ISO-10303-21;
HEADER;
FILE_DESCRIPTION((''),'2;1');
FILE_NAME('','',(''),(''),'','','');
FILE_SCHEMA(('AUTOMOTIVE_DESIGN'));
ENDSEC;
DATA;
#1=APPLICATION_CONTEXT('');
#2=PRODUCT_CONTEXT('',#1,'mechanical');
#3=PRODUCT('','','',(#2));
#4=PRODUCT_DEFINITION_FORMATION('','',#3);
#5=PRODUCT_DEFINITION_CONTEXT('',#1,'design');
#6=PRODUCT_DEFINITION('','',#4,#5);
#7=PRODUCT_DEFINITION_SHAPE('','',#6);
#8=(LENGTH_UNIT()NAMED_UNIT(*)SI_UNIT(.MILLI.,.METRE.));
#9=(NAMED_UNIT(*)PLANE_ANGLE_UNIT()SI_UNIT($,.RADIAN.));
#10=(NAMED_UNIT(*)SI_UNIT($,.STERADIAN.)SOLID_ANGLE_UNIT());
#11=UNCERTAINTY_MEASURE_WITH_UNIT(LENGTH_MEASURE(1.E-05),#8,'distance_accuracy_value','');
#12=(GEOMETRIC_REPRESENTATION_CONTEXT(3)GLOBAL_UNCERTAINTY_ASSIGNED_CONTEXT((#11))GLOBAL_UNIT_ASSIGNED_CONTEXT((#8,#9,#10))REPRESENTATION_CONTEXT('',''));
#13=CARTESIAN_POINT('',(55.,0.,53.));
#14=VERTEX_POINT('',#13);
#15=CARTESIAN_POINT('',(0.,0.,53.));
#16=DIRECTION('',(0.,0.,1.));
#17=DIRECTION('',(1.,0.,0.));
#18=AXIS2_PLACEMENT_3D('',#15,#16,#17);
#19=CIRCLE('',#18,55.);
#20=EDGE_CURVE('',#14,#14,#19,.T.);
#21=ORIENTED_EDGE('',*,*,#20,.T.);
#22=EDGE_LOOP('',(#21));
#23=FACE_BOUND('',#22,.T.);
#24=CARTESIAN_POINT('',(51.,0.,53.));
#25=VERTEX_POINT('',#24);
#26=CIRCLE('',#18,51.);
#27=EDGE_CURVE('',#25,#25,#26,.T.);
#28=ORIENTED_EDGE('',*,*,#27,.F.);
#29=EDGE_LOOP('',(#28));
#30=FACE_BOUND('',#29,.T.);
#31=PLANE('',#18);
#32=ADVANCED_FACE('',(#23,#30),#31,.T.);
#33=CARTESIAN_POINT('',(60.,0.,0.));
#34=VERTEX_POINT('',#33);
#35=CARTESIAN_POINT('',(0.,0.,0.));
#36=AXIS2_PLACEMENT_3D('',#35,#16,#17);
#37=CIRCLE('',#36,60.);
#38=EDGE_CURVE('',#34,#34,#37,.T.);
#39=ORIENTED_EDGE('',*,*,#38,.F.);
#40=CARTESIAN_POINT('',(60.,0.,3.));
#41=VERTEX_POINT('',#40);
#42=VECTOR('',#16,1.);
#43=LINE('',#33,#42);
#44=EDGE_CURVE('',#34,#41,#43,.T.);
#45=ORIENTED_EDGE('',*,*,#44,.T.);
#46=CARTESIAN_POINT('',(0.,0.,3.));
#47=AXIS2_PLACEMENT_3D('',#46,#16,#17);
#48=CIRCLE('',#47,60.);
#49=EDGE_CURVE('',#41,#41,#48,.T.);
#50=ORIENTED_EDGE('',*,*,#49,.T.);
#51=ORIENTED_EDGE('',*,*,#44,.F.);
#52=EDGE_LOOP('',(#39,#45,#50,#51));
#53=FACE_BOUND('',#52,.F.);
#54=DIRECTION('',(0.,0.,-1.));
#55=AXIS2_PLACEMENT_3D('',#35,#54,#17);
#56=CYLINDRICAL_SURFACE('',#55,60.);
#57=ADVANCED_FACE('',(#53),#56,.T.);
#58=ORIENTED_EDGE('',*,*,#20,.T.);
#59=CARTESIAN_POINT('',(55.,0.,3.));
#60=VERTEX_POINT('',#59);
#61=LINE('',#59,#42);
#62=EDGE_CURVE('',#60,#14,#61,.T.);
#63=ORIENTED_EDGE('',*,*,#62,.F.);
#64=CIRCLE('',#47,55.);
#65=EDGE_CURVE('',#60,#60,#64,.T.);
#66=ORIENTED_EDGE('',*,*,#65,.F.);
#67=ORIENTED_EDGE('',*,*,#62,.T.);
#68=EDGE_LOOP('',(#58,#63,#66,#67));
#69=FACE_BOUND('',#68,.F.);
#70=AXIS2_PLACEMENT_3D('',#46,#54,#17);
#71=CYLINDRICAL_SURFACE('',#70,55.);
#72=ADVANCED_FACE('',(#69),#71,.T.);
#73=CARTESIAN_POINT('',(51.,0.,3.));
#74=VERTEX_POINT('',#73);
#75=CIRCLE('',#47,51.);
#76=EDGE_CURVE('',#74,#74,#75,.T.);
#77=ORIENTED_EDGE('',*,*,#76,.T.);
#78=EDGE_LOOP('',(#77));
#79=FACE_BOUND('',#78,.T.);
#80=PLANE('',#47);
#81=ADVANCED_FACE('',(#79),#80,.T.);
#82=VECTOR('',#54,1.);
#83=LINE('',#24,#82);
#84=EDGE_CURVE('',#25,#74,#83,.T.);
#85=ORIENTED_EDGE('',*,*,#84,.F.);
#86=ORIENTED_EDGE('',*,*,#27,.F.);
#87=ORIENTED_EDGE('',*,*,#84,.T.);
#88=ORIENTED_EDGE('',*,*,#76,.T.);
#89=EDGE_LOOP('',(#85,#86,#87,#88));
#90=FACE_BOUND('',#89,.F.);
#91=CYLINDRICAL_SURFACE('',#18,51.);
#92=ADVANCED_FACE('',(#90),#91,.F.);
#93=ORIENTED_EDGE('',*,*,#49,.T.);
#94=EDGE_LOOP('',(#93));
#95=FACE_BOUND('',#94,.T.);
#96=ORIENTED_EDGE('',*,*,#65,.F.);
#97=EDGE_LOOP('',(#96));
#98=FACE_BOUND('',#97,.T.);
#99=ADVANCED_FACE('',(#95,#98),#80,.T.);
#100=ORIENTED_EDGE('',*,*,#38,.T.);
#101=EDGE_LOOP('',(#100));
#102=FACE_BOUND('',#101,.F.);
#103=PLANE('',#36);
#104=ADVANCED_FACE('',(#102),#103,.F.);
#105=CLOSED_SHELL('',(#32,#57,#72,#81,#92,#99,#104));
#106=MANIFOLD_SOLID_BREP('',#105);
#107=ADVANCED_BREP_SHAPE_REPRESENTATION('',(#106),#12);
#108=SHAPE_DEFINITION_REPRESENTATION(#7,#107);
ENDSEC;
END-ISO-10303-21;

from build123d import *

# Parameters (mm, degrees)
SKETCH_R     = 60
PAD_DEPTH    = 3
SKETCH001_R  = 55
PAD001_DEPTH = 50
SKETCH002_R  = 51
POCKET_DEPTH = 50


with BuildPart() as part:
    # Sketch → Pad (new body)
    with BuildSketch(Plane.XY):
        Circle(SKETCH_R)
    extrude(amount=PAD_DEPTH)

    # Sketch001 (on Face3 of Pad) → Pad001 (join)
    with BuildSketch(Plane.XY.offset(3)):
        Circle(SKETCH001_R)
    extrude(amount=PAD001_DEPTH)

    # Sketch002 (on Face5 of Pad001) → Pocket (cut)
    with BuildSketch(Plane.XY.offset(53)):
        Circle(SKETCH002_R)
    extrude(amount=-POCKET_DEPTH, mode=Mode.SUBTRACT)


solid = part.part
